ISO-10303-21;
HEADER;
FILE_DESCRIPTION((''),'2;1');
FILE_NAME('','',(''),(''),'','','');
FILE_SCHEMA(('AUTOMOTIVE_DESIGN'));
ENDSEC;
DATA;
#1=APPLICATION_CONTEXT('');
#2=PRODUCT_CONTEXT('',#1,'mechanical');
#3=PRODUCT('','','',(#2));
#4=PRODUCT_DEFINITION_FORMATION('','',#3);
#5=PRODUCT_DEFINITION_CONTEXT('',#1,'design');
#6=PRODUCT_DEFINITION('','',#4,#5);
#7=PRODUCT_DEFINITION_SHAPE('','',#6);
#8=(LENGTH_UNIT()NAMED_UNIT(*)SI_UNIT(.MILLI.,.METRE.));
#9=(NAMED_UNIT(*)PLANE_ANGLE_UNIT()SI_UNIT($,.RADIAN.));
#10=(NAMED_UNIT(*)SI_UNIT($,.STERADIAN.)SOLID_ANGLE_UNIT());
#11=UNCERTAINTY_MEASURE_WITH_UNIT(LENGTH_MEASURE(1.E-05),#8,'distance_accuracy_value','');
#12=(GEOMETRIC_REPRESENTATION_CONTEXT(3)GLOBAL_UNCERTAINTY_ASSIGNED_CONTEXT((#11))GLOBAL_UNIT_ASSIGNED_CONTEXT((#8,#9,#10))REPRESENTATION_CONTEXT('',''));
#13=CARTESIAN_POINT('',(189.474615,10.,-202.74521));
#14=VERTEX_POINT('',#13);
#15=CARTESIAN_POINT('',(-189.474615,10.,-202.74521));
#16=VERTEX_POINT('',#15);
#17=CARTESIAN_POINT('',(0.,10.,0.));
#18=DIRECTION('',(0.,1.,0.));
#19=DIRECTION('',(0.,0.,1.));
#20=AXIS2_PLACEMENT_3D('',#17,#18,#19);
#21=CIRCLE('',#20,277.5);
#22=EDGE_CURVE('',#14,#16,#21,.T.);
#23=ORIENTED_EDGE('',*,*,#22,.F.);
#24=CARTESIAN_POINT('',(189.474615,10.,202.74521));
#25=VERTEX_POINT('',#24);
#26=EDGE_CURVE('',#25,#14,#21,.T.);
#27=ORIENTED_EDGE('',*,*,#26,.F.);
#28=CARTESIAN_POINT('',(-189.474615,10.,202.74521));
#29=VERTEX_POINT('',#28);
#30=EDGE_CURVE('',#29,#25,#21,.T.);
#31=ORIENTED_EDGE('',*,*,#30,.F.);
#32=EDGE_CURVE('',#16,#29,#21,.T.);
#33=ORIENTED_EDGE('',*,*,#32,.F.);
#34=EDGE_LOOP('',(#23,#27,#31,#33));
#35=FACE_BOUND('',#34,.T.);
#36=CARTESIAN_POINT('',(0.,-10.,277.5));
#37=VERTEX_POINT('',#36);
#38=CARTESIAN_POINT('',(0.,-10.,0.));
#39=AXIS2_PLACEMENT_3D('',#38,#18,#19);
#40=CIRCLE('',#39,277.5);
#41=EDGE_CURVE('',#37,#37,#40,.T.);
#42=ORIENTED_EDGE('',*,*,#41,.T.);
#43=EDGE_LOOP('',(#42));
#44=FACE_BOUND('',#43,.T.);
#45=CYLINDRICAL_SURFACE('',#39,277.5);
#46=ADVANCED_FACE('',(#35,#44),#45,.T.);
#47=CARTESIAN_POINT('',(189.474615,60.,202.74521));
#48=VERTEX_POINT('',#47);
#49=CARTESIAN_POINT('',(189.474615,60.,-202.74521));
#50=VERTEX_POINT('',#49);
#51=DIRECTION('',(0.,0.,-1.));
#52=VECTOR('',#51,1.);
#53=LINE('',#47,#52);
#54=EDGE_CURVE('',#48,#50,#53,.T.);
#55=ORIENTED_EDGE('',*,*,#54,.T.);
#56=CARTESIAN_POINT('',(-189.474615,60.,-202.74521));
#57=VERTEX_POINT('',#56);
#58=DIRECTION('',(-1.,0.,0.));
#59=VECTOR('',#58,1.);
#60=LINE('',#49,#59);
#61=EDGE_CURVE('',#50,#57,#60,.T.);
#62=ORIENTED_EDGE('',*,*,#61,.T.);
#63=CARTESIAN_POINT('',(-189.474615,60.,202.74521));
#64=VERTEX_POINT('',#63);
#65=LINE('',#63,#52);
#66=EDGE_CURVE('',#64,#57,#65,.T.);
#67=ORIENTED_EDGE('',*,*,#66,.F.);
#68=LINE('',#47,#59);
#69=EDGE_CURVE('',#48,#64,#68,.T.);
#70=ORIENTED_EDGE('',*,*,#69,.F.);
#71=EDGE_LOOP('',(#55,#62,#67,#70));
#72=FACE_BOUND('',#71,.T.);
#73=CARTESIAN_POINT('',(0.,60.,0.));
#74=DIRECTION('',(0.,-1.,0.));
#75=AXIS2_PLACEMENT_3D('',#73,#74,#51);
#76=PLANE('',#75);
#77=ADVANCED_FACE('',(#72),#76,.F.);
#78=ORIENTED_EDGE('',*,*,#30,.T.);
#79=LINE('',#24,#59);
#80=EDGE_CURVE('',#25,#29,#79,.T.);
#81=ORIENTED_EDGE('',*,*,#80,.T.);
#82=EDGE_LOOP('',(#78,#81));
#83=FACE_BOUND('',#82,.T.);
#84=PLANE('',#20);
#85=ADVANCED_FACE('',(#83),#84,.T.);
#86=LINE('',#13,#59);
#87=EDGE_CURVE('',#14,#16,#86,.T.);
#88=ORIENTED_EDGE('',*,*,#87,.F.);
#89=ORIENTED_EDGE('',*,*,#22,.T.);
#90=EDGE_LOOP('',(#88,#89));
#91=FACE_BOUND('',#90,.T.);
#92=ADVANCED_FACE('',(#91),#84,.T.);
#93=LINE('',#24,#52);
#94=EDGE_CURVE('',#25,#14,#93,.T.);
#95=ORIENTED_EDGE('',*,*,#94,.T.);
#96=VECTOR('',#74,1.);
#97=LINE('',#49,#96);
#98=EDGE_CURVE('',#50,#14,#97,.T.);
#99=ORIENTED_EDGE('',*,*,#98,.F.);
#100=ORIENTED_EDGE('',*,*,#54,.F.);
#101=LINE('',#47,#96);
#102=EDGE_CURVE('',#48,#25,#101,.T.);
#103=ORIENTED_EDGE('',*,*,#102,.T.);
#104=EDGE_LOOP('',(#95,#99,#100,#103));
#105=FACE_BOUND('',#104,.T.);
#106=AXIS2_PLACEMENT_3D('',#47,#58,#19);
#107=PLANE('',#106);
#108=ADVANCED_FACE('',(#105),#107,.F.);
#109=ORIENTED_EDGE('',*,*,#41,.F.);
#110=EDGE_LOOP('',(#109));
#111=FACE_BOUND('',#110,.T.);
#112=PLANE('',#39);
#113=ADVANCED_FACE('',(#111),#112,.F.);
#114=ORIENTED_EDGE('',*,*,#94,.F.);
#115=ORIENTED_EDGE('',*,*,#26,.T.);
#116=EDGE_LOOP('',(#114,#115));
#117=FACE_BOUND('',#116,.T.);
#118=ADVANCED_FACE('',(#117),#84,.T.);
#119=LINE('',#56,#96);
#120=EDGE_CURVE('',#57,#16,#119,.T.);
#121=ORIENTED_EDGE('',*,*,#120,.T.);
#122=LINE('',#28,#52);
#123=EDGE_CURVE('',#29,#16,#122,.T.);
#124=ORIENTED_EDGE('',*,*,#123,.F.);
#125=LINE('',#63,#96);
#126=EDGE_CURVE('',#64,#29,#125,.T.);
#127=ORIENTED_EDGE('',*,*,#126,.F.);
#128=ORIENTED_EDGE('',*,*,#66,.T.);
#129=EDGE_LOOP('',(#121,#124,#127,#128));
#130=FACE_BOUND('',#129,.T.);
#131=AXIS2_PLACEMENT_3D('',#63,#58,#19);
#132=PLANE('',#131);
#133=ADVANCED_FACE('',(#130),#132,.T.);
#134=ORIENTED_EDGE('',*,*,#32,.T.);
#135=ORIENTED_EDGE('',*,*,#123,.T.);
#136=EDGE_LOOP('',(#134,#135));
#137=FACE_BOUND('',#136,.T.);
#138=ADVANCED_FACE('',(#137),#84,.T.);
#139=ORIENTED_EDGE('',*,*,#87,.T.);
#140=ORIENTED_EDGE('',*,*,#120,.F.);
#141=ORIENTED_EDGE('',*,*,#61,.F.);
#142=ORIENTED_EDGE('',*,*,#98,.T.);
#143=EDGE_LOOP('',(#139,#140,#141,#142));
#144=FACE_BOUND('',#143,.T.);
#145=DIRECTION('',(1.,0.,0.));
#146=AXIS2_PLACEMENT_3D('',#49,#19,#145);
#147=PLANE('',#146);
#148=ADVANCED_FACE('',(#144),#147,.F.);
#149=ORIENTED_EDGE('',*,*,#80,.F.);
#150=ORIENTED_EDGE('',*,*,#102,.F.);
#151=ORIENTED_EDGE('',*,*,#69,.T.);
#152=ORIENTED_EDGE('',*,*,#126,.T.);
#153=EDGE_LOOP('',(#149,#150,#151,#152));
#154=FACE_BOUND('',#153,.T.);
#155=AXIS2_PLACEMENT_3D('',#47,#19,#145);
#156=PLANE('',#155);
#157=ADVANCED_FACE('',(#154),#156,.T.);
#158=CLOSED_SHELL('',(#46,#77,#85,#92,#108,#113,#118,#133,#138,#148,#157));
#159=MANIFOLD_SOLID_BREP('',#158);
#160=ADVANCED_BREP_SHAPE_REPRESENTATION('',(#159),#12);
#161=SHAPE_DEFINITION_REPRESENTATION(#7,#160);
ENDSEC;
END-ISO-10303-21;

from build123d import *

# Parameters (mm, degrees)
BOSS_EXTRUDE1_DEPTH      = 10
BOSS_EXTRUDE1_DEPTH_BACK = 10
SKETCH1_R                = 277.5
SKETCH2_W                = 378.949229626
SKETCH2_H                = 405.490420806
BOSS_EXTRUDE2_DEPTH      = 50


with BuildPart() as part:
    # Sketch1 → Boss-Extrude1 (new, two sides: drawn at the far end of the back side and taken through both)
    with BuildSketch(Plane(origin=(0, 0, 0), x_dir=(1, 0, 0), z_dir=(0, 1, 0)).offset(-BOSS_EXTRUDE1_DEPTH_BACK)):
        Circle(SKETCH1_R)
    extrude(amount=BOSS_EXTRUDE1_DEPTH + BOSS_EXTRUDE1_DEPTH_BACK)

    # Sketch2 → Boss-Extrude2 (add)
    with BuildSketch(Plane(origin=(0, 10, 0), x_dir=(1, 0, 0), z_dir=(0, 1, 0))):
        Rectangle(SKETCH2_W, SKETCH2_H)
    extrude(amount=BOSS_EXTRUDE2_DEPTH)


solid = part.part
